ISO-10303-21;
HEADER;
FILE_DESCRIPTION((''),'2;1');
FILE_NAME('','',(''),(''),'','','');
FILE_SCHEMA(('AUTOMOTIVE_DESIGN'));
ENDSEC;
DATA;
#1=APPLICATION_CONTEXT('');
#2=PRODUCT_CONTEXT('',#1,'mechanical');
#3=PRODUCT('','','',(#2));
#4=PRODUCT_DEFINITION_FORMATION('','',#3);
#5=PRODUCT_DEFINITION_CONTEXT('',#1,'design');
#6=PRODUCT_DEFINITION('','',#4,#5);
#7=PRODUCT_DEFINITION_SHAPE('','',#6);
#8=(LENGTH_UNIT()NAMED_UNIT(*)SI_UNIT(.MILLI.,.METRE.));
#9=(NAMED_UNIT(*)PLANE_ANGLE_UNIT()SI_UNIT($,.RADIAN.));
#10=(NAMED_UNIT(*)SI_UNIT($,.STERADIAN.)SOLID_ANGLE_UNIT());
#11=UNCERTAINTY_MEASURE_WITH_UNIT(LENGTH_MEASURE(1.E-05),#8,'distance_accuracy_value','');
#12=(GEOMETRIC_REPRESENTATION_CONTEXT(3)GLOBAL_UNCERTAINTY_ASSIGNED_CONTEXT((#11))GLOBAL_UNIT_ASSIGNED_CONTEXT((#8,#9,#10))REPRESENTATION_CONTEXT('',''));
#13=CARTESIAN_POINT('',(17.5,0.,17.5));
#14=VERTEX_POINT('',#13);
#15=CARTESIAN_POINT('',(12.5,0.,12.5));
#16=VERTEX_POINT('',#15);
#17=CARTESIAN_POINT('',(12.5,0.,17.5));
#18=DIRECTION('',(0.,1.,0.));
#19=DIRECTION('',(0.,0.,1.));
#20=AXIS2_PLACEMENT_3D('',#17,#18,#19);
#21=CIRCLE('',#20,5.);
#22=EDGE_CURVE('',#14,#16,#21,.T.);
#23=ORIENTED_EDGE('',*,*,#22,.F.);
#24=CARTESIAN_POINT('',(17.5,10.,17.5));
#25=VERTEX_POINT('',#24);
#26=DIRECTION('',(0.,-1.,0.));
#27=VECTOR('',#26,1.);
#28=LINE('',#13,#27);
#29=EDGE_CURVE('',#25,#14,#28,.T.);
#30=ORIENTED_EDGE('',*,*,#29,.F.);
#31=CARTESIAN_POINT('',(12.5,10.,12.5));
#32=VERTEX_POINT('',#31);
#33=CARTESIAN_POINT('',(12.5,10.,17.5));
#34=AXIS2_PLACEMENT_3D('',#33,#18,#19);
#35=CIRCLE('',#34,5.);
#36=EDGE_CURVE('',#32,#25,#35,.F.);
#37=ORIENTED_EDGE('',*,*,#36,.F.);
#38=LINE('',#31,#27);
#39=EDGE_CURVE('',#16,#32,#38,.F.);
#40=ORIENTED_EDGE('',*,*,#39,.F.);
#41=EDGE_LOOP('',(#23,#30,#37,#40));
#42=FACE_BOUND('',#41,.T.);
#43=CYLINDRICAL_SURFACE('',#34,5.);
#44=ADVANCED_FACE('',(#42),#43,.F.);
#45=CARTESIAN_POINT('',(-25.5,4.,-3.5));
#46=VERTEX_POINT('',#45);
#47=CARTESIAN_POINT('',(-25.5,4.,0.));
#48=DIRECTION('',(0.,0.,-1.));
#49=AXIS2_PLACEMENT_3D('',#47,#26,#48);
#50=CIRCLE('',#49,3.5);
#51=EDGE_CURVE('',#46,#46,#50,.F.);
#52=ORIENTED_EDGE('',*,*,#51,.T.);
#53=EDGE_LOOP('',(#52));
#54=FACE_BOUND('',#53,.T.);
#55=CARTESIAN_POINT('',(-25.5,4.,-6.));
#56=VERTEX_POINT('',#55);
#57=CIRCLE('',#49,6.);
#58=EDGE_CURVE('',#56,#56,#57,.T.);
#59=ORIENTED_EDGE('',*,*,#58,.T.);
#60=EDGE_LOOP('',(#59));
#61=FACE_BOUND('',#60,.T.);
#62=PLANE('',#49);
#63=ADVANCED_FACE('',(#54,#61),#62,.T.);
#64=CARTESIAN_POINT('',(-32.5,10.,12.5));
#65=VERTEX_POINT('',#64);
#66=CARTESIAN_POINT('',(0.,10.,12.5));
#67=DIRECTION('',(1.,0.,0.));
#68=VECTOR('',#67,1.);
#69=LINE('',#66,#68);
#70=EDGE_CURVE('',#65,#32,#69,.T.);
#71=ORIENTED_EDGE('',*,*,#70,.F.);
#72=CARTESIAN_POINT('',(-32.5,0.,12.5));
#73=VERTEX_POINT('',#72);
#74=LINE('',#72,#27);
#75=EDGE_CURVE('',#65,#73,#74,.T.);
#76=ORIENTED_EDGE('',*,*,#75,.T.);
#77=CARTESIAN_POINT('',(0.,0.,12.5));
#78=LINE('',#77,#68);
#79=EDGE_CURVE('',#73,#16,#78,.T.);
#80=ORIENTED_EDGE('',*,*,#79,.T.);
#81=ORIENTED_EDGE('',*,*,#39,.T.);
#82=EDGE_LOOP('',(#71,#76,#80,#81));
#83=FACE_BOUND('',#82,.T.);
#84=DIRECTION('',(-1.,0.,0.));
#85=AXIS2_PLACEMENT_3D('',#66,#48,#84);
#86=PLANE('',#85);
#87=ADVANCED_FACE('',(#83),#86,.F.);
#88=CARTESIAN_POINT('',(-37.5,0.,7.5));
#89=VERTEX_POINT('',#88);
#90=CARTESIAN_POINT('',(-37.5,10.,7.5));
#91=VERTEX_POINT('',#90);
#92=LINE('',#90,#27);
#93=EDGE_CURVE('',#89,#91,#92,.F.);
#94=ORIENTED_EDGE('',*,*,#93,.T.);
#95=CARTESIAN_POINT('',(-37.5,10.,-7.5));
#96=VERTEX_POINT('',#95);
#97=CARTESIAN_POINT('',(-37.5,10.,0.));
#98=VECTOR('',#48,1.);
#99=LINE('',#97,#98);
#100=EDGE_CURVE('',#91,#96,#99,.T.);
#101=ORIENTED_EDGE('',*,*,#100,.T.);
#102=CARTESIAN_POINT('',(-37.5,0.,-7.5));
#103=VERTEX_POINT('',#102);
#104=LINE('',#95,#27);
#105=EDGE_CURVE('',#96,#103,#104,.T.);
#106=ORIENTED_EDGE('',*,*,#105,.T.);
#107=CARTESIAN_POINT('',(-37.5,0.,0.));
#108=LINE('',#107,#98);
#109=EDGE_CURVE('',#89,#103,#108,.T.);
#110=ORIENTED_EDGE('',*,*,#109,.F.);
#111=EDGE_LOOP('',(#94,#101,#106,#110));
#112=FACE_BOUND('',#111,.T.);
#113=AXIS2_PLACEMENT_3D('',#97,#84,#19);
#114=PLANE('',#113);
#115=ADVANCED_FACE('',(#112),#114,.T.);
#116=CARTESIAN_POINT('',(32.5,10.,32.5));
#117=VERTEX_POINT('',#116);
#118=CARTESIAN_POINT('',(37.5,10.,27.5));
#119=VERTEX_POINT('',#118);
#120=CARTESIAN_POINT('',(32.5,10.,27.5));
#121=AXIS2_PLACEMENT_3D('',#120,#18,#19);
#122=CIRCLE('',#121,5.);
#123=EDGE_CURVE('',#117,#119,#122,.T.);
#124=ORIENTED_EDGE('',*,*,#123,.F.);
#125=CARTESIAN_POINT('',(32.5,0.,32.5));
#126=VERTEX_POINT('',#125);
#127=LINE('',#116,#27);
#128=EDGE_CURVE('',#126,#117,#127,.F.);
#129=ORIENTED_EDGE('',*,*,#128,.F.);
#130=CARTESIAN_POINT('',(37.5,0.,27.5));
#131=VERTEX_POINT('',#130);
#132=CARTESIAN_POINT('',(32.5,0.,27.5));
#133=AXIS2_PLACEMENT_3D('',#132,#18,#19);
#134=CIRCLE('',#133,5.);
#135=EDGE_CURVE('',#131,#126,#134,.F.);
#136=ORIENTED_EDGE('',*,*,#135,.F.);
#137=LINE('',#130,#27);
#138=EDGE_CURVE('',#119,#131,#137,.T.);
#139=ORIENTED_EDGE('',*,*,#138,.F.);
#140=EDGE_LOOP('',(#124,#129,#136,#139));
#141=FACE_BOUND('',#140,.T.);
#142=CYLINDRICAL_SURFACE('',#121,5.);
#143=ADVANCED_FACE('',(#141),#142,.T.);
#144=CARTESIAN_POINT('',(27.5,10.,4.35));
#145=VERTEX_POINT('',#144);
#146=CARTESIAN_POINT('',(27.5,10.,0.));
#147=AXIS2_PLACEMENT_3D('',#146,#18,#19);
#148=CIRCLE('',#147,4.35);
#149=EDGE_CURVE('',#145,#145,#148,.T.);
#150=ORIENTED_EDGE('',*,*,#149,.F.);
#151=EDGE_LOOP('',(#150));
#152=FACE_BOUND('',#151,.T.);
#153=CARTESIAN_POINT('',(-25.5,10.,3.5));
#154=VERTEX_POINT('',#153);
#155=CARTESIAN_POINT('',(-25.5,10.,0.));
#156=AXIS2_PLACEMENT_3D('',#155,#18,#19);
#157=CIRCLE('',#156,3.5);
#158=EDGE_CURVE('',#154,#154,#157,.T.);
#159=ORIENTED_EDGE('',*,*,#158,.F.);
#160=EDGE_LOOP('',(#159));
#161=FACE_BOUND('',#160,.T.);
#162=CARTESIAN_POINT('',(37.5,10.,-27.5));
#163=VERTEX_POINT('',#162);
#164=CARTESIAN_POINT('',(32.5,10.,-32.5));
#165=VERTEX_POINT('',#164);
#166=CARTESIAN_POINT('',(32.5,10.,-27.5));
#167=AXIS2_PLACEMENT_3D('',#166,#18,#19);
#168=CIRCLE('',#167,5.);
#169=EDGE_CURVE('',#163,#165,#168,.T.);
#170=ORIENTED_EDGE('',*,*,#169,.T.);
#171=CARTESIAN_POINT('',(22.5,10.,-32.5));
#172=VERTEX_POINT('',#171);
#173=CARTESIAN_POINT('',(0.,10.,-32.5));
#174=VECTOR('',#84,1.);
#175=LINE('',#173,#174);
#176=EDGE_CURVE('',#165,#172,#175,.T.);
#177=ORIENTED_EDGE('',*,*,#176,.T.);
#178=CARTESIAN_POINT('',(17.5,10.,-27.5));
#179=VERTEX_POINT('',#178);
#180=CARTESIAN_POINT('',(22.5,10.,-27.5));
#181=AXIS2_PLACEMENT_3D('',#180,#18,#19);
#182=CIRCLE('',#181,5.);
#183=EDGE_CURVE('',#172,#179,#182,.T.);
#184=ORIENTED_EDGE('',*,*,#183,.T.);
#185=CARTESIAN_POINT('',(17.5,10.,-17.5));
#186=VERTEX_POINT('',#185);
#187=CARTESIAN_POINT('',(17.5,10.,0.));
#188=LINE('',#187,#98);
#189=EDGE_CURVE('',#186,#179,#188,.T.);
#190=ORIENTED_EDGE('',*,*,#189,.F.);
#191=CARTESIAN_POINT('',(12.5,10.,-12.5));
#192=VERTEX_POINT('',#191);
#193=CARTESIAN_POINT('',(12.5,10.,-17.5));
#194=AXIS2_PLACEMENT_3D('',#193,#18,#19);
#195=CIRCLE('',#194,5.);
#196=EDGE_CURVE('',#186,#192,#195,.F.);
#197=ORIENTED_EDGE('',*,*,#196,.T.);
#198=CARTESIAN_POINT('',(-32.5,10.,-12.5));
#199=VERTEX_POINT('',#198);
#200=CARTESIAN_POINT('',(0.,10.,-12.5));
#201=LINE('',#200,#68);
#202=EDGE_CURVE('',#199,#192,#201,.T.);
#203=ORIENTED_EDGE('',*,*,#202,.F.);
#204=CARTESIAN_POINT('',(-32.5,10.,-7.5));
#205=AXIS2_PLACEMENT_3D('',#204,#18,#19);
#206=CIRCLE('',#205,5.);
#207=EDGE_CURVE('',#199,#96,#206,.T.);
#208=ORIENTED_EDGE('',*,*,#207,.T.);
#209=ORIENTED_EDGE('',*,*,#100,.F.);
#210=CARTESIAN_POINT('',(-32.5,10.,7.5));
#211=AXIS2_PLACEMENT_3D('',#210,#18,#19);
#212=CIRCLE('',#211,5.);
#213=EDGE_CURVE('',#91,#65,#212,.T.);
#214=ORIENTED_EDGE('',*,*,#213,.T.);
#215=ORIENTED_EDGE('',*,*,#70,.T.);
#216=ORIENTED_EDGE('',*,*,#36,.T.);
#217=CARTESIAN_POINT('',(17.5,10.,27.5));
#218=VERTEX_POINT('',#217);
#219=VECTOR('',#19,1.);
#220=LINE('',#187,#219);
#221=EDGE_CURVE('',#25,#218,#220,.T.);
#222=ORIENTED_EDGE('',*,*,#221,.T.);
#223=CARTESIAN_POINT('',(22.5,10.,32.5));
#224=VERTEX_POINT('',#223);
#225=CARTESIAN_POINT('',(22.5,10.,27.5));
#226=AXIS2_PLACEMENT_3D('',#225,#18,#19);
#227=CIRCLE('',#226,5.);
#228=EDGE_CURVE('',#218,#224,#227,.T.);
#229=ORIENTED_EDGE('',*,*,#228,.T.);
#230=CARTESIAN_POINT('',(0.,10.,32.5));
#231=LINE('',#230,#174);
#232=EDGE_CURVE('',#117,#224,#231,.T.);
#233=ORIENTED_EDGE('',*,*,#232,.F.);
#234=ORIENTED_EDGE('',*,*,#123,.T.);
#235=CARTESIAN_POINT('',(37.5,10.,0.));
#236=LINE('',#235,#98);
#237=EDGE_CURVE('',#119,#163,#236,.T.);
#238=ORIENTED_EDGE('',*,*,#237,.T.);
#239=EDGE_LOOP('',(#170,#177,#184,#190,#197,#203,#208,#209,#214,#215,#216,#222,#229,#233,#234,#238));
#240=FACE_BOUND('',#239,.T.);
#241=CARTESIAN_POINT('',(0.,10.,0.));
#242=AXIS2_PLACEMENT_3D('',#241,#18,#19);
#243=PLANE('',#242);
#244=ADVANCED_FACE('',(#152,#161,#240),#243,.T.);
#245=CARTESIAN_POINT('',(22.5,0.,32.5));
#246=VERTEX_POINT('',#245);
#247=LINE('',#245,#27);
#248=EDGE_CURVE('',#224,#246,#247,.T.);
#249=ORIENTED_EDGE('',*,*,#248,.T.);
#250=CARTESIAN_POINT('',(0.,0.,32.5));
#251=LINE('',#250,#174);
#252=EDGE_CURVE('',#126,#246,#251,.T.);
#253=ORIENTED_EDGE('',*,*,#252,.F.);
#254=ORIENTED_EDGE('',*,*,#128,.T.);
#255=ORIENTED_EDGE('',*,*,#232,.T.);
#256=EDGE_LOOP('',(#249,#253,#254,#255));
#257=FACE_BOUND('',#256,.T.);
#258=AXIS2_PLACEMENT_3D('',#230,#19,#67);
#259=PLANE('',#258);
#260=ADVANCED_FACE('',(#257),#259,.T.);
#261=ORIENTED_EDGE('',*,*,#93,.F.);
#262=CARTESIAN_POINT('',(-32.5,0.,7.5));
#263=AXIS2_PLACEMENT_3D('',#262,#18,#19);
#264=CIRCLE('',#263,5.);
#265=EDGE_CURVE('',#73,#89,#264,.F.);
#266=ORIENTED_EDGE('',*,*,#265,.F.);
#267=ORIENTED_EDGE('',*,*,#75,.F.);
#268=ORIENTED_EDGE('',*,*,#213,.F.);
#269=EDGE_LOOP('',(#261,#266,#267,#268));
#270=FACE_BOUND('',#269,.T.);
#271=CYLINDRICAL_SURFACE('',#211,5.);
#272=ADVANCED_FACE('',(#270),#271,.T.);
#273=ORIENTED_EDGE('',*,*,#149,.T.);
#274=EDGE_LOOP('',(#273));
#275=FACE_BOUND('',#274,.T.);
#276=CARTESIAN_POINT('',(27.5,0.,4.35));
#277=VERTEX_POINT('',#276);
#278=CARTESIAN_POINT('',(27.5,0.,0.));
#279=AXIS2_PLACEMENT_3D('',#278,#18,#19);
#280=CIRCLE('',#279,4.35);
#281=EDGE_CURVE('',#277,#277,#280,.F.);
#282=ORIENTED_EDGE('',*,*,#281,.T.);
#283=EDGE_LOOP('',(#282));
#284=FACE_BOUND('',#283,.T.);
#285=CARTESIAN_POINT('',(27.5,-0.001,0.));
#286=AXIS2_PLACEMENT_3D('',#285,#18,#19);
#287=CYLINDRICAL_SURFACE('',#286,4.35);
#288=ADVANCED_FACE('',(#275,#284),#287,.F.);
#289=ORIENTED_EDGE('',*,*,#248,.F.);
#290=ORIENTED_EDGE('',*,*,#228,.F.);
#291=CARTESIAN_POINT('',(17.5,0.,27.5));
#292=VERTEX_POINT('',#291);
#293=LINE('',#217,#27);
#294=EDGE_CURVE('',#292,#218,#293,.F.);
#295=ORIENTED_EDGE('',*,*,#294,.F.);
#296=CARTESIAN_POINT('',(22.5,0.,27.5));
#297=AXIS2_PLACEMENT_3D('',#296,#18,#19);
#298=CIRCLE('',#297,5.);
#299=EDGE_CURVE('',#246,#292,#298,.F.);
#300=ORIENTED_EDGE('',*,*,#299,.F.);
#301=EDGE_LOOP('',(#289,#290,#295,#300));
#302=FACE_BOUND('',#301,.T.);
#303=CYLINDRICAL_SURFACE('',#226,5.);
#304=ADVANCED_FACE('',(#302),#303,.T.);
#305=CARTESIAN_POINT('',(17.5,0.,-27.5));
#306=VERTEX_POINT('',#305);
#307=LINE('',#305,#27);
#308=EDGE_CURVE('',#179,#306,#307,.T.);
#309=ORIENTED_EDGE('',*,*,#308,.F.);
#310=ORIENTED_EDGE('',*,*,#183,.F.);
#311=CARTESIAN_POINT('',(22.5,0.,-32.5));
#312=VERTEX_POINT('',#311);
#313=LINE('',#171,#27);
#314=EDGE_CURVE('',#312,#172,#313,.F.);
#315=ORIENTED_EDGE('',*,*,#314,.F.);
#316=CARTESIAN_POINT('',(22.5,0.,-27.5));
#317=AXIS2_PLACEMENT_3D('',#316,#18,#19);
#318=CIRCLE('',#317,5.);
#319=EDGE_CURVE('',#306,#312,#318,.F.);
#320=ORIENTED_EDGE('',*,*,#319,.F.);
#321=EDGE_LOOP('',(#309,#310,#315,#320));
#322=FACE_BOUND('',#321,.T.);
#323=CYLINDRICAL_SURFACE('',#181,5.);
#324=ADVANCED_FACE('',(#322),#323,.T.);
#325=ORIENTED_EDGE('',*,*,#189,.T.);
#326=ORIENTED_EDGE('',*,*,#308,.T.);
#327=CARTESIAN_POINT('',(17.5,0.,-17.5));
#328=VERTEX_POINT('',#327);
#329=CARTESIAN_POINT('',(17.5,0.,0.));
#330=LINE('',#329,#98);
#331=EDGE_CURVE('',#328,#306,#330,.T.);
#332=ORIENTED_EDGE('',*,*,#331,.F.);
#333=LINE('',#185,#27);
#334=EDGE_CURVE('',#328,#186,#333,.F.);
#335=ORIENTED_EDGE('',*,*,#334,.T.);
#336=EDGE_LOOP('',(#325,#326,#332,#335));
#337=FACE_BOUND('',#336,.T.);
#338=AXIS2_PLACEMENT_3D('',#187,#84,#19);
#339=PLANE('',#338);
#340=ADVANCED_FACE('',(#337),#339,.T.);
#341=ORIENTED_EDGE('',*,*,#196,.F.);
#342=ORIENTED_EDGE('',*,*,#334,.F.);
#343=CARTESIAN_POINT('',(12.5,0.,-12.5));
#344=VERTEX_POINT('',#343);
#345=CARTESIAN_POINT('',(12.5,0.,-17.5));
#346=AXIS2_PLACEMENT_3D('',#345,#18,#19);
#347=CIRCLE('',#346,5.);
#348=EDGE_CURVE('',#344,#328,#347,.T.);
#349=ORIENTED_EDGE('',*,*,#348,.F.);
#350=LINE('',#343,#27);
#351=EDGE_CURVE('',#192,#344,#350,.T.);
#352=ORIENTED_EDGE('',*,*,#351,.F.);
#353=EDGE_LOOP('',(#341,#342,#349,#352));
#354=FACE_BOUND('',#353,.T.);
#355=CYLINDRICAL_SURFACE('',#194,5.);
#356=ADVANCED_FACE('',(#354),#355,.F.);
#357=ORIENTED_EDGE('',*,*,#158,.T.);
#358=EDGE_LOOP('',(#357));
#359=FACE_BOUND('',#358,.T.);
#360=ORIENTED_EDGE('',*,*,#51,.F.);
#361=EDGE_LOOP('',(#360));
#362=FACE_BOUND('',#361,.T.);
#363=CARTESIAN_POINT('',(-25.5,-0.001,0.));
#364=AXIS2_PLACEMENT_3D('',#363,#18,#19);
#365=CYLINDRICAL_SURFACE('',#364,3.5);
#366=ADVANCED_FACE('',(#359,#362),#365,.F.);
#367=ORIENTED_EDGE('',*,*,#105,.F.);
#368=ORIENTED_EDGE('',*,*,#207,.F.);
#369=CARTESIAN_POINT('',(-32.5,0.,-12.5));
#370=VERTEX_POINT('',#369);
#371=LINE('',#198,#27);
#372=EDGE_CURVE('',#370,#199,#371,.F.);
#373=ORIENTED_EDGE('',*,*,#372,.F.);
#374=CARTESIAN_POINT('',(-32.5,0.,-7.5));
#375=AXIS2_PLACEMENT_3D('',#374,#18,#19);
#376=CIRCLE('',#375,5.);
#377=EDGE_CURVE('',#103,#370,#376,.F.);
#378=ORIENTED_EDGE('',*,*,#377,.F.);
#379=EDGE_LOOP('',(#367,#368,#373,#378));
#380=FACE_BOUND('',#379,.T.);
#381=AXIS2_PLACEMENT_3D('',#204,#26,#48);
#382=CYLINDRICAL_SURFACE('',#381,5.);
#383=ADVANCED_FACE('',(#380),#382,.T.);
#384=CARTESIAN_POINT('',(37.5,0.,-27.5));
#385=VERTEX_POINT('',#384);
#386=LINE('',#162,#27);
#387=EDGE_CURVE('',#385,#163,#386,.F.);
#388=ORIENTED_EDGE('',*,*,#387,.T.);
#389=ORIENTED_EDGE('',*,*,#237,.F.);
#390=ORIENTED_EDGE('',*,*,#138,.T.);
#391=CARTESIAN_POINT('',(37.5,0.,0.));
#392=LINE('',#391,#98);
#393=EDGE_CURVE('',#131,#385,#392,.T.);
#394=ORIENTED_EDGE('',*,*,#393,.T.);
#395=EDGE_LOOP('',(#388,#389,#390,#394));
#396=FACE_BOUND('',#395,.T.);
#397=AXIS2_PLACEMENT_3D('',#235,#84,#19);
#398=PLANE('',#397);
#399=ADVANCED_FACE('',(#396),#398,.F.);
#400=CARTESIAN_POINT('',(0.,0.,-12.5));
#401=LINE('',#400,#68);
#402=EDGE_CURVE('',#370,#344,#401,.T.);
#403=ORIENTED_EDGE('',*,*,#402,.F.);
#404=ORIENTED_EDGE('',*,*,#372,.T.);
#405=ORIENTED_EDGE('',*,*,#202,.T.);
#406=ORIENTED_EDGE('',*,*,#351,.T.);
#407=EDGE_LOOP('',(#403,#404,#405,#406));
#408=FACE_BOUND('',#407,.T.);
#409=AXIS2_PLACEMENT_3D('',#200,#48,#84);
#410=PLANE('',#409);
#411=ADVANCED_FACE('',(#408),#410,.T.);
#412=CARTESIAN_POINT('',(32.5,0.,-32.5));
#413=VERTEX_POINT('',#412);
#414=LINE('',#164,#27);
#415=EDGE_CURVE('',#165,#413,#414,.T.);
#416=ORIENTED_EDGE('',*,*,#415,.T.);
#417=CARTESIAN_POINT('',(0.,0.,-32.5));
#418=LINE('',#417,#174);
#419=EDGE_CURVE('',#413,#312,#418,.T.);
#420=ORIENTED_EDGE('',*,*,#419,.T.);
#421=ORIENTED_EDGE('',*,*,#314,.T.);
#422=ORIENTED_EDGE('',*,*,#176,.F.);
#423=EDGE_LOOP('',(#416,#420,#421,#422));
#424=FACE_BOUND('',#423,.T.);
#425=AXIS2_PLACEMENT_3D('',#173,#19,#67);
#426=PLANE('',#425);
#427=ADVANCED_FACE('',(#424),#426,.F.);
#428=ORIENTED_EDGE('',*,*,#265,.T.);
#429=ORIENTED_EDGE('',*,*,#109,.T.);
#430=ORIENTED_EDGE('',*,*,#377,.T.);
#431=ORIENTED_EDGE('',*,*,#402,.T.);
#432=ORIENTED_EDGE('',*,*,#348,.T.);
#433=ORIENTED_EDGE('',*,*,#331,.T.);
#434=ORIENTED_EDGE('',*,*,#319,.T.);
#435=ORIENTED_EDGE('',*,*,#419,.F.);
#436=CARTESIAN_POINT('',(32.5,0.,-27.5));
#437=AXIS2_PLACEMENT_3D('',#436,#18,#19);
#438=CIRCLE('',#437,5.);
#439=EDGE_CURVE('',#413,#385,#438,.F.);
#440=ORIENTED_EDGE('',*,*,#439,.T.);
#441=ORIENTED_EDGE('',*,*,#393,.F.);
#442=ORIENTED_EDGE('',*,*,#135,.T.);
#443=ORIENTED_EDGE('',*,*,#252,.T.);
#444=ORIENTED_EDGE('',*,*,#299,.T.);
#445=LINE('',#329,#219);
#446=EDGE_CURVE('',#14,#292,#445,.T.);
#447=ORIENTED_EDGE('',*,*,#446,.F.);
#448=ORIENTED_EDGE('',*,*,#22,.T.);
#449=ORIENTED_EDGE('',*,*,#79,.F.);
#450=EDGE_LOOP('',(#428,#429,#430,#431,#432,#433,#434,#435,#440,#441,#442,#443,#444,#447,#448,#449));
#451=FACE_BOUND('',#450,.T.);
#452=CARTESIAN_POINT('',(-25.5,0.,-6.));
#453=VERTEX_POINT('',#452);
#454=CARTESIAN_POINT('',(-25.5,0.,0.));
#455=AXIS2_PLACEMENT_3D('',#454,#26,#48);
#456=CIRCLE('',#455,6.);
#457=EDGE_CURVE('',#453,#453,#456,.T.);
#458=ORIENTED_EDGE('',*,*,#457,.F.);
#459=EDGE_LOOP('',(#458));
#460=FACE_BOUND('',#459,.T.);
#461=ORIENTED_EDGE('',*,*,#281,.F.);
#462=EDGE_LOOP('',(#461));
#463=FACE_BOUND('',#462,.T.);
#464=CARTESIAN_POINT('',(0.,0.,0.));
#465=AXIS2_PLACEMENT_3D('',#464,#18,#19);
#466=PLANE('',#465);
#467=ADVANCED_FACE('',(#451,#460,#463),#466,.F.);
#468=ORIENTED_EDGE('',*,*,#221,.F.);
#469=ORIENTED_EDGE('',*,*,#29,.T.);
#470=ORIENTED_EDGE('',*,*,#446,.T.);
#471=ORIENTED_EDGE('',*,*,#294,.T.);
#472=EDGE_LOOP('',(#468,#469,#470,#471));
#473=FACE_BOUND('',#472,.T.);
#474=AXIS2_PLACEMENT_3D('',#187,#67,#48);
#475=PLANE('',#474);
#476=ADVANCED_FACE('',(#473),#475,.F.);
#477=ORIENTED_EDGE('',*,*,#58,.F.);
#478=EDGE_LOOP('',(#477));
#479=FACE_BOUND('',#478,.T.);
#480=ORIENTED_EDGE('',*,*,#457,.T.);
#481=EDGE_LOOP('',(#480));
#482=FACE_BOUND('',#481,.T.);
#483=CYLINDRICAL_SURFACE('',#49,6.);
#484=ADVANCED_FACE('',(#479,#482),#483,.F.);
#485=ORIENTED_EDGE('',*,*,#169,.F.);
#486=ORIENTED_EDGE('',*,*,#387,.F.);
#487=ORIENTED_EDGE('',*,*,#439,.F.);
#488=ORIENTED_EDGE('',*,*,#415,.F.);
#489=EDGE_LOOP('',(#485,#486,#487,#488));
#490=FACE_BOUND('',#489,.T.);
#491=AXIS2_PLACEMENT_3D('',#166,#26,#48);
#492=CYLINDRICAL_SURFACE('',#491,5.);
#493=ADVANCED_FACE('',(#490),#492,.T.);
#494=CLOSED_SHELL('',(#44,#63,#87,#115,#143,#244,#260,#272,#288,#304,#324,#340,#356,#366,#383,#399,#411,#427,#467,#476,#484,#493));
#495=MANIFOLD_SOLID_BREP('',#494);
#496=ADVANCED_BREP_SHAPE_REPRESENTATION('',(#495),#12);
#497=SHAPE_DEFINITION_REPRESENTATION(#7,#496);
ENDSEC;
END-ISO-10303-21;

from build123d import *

# Parameters (mm, degrees)
SKETCH1_W           = 20
SKETCH1_H           = 20
SKETCH1_W_2         = 75
SKETCH1_H_2         = 25
BOSS_EXTRUDE1_DEPTH = 10
CUT_EXTRUDE1_REACH  = 52.621
SKETCH2_R           = 3.5
SKETCH2_R_2         = 4.35
FILLET1_R           = 5
SKETCH3_R           = 6
CUT_EXTRUDE2_DEPTH  = 4


with BuildPart() as part:
    # Sketch1 → Boss-Extrude1 (new body)
    with BuildSketch(Plane(origin=(0, 0, 0), x_dir=(1, 0, 0), z_dir=(0, 1, 0))):
        with Locations((27.5, 22.5)):
            Rectangle(SKETCH1_W, SKETCH1_H)
        Rectangle(SKETCH1_W_2, SKETCH1_H_2)
        with Locations((27.5, -22.5)):
            Rectangle(SKETCH1_W, SKETCH1_H)
    extrude(amount=BOSS_EXTRUDE1_DEPTH)

    # Sketch2 → Cut-Extrude1 (cut, up to next)
    with BuildSketch(Plane(origin=(0, 10, 0), x_dir=(1, 0, 0), z_dir=(0, 1, 0)), mode=Mode.PRIVATE) as cut_extrude1_sk1:
        with Locations(Location((-25.5, 0, 0), (0, 0, 270))):
            Circle(SKETCH2_R)
    cut_extrude1_tool1 = extrude(cut_extrude1_sk1.sketch, amount=-CUT_EXTRUDE1_REACH, mode=Mode.PRIVATE) & part.part
    # Sketch2 → Cut-Extrude1 (cut, up to next)
    with BuildSketch(Plane(origin=(0, 10, 0), x_dir=(1, 0, 0), z_dir=(0, 1, 0)), mode=Mode.PRIVATE) as cut_extrude1_sk2:
        with Locations(Location((27.5, 0, 0), (0, 0, 270))):
            Circle(SKETCH2_R_2)
    cut_extrude1_tool2 = extrude(cut_extrude1_sk2.sketch, amount=-CUT_EXTRUDE1_REACH, mode=Mode.PRIVATE) & part.part
    add(cut_extrude1_tool1.solids().sort_by_distance((-25.5, 10, 0))[0], mode=Mode.SUBTRACT)
    add(cut_extrude1_tool2.solids().sort_by_distance((27.5, 10, 0))[0], mode=Mode.SUBTRACT)

    # Fillet1
    fillet1_edges = [part.edges().sort_by_distance(p)[0] for p in [
        (17.5, 5, -32.5),
        (37.5, 5, -32.5),
        (37.5, 5, 32.5),
        (17.5, 5, 32.5),
        (17.5, 5, 12.5),
        (-37.5, 5, 12.5),
        (-37.5, 5, -12.5),
        (17.5, 5, -12.5),
    ]]
    fillet(fillet1_edges, radius=FILLET1_R)

    # Sketch3 → Cut-Extrude2 (cut)
    with BuildSketch(Plane.XZ):
        with Locations(Location((-25.5, 0, 0), (0, 0, 270))):
            Circle(SKETCH3_R)
    extrude(amount=-CUT_EXTRUDE2_DEPTH, mode=Mode.SUBTRACT)


solid = part.part
